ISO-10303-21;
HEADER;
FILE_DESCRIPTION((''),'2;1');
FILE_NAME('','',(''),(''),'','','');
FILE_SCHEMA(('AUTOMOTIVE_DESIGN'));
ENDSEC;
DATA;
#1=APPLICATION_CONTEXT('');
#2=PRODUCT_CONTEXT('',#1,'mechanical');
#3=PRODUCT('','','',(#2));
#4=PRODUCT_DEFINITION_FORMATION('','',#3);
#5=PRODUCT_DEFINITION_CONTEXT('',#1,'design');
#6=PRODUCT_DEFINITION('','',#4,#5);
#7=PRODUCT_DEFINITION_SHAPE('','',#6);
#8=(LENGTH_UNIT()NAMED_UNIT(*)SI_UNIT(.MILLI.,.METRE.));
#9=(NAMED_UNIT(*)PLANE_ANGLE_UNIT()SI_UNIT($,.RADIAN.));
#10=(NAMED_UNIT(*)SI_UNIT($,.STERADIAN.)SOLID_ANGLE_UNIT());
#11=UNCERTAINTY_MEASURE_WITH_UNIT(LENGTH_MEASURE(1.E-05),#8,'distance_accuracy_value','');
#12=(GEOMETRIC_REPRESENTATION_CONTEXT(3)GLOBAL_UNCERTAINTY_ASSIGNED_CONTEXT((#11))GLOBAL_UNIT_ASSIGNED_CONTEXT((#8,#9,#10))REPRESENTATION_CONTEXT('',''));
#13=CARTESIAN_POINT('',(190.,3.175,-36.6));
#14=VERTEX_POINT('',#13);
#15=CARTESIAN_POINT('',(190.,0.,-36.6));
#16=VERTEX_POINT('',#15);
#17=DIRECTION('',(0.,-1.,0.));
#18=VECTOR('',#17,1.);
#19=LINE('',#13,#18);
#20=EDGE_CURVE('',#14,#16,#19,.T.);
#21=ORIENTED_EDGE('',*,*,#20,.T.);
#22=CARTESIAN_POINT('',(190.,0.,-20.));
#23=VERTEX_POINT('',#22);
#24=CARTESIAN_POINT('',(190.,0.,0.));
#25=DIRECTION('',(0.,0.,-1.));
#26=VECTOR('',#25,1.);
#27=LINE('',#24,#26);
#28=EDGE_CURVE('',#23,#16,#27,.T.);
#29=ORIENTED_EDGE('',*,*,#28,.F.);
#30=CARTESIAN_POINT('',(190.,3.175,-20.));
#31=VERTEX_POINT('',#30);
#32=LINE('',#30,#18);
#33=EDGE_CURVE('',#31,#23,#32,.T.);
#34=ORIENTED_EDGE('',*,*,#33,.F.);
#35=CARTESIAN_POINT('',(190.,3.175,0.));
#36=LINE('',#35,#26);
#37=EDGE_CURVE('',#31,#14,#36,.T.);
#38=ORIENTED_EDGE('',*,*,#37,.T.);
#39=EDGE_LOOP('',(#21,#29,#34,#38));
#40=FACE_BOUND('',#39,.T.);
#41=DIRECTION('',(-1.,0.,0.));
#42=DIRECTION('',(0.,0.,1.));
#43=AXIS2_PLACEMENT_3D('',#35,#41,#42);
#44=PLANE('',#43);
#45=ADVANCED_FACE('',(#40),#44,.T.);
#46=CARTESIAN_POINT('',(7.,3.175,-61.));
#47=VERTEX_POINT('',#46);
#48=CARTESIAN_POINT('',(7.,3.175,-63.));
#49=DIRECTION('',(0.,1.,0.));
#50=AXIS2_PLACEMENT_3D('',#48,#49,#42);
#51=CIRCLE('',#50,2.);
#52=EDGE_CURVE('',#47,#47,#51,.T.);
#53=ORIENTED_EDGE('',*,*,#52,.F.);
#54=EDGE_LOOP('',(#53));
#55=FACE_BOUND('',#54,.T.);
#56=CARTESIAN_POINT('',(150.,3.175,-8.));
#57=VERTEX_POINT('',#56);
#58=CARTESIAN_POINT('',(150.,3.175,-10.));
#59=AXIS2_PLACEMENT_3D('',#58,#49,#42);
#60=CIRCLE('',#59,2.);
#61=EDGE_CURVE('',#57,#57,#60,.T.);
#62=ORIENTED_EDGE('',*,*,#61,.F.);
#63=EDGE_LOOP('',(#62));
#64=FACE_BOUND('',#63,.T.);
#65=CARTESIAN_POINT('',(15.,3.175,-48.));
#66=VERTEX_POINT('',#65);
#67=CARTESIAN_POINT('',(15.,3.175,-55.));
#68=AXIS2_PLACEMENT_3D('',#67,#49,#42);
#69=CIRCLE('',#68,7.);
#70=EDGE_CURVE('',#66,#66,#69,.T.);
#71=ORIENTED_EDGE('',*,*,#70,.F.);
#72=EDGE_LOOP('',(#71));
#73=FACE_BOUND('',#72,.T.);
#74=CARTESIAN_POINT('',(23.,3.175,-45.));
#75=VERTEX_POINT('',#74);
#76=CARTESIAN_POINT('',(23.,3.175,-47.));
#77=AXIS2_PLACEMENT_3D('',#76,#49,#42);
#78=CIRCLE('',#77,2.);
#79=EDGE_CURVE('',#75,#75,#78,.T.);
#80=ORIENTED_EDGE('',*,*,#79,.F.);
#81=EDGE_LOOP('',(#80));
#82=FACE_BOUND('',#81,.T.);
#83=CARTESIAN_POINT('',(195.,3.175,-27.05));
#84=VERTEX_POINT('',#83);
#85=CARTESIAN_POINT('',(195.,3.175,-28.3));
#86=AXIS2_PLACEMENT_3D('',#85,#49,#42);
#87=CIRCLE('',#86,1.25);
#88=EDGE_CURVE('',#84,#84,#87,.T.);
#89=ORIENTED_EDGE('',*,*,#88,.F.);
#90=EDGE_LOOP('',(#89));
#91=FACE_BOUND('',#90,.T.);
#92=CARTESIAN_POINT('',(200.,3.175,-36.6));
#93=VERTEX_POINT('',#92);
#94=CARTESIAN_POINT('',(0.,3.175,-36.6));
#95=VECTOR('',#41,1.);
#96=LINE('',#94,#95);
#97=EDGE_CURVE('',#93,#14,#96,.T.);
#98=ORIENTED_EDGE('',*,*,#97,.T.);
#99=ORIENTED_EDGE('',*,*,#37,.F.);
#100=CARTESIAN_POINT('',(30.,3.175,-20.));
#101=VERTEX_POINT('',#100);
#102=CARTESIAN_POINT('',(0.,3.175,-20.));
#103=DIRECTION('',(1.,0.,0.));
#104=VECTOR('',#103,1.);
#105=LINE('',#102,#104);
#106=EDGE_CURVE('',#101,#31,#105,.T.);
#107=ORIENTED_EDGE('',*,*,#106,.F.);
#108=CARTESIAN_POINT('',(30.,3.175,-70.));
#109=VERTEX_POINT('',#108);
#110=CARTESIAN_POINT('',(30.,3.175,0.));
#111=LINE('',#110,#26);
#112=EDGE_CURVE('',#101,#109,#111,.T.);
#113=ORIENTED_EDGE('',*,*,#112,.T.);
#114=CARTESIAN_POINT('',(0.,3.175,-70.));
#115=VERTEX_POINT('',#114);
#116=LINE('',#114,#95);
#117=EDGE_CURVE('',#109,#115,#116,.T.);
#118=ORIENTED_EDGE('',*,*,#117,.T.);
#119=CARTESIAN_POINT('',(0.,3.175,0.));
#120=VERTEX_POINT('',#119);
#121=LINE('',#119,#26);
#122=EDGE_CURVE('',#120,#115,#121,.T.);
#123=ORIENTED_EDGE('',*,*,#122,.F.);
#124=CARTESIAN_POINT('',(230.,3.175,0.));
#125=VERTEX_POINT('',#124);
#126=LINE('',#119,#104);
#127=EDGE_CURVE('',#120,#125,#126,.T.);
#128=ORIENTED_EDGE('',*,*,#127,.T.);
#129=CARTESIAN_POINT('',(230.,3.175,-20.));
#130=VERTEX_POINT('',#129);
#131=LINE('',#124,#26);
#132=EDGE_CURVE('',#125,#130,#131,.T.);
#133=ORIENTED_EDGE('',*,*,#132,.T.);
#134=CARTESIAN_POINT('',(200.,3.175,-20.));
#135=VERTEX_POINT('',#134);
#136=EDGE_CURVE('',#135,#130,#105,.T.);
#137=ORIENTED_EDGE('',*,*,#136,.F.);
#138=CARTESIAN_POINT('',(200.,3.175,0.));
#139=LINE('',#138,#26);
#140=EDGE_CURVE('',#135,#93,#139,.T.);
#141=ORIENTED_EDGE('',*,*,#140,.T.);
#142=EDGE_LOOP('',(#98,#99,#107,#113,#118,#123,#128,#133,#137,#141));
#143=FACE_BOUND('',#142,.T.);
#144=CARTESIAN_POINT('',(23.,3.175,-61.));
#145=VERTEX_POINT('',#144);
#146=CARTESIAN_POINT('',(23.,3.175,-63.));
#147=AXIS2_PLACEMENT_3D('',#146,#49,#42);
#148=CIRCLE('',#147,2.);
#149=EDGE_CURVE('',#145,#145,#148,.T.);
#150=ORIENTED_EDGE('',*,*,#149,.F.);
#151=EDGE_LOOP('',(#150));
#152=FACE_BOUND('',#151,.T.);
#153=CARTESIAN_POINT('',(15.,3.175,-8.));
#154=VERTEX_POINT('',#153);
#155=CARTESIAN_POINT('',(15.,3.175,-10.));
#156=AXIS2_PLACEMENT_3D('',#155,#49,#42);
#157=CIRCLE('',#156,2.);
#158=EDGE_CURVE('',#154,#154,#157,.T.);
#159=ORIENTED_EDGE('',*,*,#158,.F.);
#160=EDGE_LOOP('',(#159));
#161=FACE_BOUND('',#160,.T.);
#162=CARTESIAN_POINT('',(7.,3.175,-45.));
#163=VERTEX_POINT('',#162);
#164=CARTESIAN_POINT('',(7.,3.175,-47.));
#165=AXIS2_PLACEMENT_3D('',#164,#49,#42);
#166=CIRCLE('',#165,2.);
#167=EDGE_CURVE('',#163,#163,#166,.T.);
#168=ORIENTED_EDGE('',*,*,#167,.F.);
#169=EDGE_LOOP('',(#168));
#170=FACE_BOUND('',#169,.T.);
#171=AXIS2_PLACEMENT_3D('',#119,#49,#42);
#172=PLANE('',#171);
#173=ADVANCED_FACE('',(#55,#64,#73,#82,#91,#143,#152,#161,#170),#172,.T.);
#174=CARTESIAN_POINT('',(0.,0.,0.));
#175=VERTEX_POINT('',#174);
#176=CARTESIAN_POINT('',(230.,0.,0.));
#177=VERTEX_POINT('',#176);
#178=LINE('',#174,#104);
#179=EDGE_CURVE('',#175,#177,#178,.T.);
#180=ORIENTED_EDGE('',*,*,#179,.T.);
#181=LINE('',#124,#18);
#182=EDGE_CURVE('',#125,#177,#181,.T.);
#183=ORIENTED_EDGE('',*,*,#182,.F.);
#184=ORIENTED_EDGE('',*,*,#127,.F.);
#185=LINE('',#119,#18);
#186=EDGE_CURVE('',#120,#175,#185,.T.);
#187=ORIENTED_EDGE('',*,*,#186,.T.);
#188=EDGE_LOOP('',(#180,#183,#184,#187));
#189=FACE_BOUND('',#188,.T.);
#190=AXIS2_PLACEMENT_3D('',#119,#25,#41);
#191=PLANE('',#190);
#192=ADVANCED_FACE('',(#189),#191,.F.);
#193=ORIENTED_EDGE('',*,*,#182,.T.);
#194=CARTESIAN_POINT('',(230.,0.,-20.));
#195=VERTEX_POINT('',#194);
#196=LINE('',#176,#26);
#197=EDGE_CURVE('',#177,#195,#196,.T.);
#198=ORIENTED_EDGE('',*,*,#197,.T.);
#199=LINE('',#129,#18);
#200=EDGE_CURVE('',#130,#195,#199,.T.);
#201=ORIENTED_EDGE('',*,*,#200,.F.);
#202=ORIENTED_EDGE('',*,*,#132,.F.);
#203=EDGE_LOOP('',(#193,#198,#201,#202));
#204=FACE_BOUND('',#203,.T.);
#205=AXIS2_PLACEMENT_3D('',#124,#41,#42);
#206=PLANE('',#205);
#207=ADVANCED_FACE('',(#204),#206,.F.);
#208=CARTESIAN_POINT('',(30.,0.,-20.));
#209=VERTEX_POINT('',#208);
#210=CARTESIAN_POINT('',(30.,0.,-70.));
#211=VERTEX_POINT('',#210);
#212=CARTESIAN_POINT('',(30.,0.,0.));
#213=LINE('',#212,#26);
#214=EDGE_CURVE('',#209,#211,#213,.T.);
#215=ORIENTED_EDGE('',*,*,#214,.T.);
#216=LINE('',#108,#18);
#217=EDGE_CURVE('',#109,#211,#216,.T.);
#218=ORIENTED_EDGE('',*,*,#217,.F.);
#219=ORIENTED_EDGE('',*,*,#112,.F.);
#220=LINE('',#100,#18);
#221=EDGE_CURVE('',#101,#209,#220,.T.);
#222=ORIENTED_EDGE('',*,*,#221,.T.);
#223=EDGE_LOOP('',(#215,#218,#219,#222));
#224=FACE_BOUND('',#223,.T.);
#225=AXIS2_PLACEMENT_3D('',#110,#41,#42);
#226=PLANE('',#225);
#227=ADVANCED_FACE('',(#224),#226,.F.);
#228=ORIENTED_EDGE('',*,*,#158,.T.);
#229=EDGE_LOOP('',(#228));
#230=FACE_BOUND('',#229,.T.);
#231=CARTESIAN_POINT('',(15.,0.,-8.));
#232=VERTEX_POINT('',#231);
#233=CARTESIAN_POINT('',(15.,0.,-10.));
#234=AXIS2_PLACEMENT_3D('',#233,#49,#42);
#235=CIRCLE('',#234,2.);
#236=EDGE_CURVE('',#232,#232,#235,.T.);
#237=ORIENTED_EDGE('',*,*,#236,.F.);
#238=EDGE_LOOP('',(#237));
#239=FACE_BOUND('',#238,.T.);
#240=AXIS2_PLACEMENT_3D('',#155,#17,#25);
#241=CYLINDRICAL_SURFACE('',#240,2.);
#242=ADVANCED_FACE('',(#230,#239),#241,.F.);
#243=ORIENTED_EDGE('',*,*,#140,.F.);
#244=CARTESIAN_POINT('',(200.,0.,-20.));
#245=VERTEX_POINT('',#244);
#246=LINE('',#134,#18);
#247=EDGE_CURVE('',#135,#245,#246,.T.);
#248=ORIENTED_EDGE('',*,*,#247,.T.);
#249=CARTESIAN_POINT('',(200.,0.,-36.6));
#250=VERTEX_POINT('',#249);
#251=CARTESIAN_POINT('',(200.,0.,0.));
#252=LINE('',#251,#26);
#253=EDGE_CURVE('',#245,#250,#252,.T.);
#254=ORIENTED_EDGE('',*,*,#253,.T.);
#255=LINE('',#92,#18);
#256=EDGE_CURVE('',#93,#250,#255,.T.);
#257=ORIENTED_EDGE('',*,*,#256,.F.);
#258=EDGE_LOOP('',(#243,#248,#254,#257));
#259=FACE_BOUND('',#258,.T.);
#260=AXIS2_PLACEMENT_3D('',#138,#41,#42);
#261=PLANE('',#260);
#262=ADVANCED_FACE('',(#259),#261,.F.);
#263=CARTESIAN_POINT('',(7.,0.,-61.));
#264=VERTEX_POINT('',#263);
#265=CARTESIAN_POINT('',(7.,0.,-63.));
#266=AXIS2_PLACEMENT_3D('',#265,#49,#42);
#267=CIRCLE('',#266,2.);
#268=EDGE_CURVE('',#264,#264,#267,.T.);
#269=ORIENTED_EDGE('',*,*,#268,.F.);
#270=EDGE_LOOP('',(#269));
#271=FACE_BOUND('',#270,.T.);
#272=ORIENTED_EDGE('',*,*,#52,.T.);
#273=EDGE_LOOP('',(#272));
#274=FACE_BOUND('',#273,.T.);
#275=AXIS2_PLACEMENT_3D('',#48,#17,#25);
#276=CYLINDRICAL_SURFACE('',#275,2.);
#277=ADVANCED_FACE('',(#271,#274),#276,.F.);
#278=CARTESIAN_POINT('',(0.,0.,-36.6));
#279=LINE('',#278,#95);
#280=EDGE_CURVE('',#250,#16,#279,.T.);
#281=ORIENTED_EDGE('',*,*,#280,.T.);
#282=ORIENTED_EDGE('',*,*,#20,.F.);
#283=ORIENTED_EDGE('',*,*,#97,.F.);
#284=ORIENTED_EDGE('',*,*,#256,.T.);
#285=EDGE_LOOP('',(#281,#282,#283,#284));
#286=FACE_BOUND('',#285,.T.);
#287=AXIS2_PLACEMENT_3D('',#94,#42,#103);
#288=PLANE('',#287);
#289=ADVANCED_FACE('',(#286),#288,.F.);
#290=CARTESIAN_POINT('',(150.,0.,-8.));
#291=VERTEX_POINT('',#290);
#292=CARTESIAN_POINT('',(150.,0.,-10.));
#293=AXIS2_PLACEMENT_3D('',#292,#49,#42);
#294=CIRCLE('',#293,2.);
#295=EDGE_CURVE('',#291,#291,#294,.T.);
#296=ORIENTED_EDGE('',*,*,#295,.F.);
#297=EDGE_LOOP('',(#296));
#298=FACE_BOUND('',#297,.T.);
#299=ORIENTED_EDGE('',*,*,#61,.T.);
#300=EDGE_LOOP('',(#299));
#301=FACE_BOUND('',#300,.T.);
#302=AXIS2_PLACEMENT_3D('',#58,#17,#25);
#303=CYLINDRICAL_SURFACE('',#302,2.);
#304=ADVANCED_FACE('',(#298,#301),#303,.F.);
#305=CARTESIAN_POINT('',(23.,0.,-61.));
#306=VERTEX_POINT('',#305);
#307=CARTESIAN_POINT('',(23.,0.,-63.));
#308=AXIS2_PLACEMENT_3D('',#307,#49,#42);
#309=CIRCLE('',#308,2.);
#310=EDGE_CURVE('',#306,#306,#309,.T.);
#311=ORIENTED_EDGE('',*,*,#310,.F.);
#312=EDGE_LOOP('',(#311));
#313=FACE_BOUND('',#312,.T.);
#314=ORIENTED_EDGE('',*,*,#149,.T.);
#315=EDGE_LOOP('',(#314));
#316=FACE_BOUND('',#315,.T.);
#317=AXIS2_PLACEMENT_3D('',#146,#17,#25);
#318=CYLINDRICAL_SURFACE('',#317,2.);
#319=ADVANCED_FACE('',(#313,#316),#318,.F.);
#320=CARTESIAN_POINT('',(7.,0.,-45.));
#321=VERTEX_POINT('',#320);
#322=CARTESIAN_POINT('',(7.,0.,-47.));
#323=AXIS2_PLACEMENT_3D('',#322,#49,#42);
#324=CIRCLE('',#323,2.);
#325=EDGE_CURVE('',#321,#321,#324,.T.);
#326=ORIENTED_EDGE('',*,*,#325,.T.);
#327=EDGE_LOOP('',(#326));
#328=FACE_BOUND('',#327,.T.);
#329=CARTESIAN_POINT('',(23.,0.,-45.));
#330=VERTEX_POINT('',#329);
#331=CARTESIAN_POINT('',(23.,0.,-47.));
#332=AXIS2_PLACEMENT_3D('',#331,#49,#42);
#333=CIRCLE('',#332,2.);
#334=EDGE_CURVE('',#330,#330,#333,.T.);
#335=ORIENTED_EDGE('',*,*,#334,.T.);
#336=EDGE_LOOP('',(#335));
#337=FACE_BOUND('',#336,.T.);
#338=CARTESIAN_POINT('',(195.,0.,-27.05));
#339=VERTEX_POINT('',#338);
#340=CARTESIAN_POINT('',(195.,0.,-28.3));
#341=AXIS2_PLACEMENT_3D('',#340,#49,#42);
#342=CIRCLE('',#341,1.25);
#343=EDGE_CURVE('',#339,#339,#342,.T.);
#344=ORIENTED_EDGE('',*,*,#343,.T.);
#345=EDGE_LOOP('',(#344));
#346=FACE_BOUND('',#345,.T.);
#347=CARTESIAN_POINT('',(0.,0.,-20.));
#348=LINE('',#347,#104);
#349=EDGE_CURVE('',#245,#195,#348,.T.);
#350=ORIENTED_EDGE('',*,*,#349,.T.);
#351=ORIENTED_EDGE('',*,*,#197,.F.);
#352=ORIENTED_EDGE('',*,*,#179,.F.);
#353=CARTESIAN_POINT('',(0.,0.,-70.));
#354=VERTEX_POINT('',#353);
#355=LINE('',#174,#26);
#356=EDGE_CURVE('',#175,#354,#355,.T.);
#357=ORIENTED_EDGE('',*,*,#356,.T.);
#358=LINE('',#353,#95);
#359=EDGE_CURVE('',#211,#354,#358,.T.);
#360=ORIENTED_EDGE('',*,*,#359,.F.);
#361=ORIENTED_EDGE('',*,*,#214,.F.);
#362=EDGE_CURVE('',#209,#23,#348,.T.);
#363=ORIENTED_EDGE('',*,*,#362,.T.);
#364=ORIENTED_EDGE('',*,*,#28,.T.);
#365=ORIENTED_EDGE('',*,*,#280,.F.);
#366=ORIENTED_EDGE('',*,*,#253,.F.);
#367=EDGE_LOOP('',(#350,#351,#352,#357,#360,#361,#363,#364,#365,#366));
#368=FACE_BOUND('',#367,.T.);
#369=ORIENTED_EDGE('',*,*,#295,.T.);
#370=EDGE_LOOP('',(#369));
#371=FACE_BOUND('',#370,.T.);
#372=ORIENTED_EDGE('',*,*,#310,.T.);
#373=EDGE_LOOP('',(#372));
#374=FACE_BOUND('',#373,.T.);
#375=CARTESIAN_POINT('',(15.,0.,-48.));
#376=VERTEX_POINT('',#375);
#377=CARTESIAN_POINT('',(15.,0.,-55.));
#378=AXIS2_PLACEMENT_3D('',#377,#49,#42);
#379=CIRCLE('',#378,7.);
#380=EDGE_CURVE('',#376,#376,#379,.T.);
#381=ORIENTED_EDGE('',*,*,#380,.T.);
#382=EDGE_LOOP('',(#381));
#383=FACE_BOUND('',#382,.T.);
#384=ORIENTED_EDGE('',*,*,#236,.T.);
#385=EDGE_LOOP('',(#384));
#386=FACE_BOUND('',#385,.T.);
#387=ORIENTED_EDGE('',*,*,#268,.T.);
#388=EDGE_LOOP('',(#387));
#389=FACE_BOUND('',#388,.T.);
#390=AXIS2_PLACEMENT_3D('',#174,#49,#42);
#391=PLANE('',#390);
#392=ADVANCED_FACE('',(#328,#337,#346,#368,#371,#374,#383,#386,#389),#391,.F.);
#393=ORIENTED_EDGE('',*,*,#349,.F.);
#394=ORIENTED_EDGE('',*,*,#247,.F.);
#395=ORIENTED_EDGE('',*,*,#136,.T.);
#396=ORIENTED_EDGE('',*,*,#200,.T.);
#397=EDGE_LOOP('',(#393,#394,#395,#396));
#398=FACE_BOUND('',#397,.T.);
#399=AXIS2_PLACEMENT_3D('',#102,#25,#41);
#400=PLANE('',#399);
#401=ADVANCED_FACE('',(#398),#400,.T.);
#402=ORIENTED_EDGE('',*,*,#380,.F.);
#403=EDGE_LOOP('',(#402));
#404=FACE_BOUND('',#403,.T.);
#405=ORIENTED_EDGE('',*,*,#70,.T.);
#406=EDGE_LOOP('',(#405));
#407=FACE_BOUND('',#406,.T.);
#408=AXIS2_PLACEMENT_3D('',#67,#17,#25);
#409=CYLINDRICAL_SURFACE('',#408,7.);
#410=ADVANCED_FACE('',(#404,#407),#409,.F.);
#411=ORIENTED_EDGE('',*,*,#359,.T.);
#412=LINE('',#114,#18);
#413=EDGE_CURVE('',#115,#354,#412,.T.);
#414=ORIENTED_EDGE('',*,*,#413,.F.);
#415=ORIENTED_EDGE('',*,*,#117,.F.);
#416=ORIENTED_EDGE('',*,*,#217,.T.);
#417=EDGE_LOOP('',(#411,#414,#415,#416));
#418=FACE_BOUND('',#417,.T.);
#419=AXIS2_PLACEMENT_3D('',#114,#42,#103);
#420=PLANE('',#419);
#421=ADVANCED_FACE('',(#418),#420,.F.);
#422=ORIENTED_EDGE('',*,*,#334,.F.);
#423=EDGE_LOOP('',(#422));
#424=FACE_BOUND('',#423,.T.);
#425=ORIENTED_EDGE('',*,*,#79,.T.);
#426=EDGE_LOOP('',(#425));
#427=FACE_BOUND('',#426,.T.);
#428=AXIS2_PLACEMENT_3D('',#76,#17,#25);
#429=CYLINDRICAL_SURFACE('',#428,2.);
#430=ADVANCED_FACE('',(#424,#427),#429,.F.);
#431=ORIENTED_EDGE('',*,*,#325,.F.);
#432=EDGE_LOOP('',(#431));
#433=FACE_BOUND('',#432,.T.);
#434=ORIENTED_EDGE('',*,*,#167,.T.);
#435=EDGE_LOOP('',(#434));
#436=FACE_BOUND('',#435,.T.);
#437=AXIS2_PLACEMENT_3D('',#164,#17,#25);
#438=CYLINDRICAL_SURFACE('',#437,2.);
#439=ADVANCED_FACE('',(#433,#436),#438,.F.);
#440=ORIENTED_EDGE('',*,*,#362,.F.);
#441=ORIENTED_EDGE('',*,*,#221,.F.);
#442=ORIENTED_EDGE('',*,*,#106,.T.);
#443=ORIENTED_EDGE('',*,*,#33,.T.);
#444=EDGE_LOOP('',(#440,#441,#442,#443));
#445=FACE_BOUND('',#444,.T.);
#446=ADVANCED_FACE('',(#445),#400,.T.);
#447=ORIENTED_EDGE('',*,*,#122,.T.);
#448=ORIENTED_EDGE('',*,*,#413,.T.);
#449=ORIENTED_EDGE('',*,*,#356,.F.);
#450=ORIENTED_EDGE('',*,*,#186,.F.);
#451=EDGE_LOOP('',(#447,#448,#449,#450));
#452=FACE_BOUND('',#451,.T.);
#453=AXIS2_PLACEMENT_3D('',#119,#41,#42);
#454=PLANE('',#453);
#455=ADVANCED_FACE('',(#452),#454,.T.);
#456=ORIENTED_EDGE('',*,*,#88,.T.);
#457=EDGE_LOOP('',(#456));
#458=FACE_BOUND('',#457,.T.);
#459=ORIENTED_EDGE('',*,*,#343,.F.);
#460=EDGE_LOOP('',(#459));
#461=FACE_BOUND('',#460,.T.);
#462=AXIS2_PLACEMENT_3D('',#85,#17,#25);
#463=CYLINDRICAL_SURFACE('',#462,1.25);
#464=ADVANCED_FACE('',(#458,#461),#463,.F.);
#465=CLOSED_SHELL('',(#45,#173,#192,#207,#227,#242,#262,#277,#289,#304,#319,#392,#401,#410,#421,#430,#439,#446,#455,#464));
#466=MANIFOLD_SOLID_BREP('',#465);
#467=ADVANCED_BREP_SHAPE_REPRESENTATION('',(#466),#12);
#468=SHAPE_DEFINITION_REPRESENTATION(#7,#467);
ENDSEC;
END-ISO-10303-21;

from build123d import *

# Parameters (mm, degrees)
SKETCH1_R           = 2
SKETCH1_R_2         = 1.25
BOSS_EXTRUDE1_DEPTH = 3.175


with BuildPart() as part:
    # Sketch1 → Boss-Extrude1 (new body)
    with BuildSketch(Plane(origin=(0, 0, 0), x_dir=(1, 0, 0), z_dir=(0, 1, 0))):
        Polygon((230, 0), (230, 10), (230, 20), (200, 20), (200, 36.6), (195, 36.6), (190, 36.6), (190, 20), (30, 20), (30, 70), (15, 70), (0, 70), (0, 0), align=None)
        with Locations((15, 10)):
            Circle(SKETCH1_R, mode=Mode.SUBTRACT)
        with BuildLine():
            ThreePointArc((148, 10), (150, 12), (152, 10))
            ThreePointArc((152, 10), (150, 8), (148, 10))
        make_face(mode=Mode.SUBTRACT)
        with Locations((7, 47)):
            Circle(SKETCH1_R, mode=Mode.SUBTRACT)
        with Locations((23, 47)):
            Circle(SKETCH1_R, mode=Mode.SUBTRACT)
        with BuildLine():
            ThreePointArc((10.050252532, 59.949747468), (12.321215973, 61.467156728), (15, 62))
            ThreePointArc((15, 62), (17.678784027, 48.532843272), (10.050252532, 59.949747468))
        make_face(mode=Mode.SUBTRACT)
        with Locations((7, 63)):
            Circle(SKETCH1_R, mode=Mode.SUBTRACT)
        with Locations((23, 63)):
            Circle(SKETCH1_R, mode=Mode.SUBTRACT)
        with Locations((195, 28.3)):
            Circle(SKETCH1_R_2, mode=Mode.SUBTRACT)
    extrude(amount=BOSS_EXTRUDE1_DEPTH)


solid = part.part
